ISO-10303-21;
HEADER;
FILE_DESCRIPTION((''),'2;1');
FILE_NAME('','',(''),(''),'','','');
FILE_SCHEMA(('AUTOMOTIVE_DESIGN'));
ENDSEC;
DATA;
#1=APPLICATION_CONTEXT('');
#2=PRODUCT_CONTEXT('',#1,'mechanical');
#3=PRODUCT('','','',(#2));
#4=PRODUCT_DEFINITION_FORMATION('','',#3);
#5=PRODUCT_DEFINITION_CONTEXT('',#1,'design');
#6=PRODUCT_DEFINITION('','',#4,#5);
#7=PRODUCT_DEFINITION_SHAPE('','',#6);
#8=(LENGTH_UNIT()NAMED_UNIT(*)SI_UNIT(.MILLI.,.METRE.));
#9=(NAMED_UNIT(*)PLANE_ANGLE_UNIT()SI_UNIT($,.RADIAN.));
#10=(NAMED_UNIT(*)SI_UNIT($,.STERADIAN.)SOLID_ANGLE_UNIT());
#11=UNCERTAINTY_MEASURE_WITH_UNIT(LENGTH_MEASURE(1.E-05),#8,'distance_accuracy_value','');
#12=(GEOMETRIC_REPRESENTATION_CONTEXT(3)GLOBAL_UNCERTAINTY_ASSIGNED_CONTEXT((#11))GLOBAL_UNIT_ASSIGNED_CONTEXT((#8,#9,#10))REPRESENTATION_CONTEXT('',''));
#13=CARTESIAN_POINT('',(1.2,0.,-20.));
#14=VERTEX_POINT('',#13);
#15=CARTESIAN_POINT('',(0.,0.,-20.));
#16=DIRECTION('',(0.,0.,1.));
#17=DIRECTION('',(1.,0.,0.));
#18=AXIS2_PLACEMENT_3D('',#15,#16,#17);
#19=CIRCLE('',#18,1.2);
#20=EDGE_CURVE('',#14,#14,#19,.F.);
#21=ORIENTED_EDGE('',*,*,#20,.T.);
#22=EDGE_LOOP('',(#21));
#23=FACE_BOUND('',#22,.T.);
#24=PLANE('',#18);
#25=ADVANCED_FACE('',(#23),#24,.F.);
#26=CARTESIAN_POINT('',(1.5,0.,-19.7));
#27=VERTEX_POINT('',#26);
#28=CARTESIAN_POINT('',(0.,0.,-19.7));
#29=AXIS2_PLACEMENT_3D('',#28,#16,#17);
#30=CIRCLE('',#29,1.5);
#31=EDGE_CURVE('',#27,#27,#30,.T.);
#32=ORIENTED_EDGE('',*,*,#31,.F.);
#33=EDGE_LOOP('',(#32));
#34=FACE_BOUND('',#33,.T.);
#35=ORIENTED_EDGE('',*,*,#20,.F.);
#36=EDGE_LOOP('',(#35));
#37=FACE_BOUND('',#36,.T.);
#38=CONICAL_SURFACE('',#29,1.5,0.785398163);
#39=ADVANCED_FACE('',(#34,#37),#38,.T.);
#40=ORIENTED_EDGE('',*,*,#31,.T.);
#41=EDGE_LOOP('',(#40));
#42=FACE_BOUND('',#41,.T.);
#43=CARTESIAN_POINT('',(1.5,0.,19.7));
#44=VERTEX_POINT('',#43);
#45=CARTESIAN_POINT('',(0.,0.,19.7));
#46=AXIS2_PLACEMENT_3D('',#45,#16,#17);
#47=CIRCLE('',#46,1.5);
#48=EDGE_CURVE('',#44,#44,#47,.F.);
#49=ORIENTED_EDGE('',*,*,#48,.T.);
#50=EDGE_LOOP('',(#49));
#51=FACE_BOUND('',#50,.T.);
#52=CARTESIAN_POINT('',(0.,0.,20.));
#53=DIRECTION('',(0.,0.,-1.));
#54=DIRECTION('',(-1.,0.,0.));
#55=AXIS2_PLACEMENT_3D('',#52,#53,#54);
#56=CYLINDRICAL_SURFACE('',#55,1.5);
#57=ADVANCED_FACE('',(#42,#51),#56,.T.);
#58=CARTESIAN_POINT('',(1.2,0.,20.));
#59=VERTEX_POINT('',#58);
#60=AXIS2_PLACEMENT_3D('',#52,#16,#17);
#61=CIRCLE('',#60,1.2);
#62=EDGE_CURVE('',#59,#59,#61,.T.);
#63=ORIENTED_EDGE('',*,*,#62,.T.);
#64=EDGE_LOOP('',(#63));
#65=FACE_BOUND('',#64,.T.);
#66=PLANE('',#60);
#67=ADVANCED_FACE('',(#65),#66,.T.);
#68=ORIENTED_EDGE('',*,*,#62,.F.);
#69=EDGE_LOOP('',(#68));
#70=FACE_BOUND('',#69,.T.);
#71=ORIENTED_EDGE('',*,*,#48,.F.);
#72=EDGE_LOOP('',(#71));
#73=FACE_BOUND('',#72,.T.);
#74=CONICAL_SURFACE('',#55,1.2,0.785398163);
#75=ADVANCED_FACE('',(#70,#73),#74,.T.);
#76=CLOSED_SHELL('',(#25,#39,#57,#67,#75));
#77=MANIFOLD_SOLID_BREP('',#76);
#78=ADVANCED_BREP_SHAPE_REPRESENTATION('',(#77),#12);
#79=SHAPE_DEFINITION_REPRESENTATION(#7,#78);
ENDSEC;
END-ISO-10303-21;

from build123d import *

# Parameters (mm, degrees)
SKETCH_1_R      = 1.5
EXTRUDE_1_DEPTH = 20
CHAMFER_1_SIZE  = 0.3


with BuildPart() as part:
    # Эскиз1 → Бобышка-Вытянуть1 (new, symmetric)
    with BuildSketch(Plane.XY):
        Circle(SKETCH_1_R)
    extrude(amount=EXTRUDE_1_DEPTH, both=True)

    # Фаска1
    chamfer_1_edges = [part.edges().sort_by_distance(p)[0] for p in [
        (-1.5, 0, -20),
        (-1.5, 0, 20),
    ]]
    chamfer(chamfer_1_edges, length=CHAMFER_1_SIZE)


solid = part.part
